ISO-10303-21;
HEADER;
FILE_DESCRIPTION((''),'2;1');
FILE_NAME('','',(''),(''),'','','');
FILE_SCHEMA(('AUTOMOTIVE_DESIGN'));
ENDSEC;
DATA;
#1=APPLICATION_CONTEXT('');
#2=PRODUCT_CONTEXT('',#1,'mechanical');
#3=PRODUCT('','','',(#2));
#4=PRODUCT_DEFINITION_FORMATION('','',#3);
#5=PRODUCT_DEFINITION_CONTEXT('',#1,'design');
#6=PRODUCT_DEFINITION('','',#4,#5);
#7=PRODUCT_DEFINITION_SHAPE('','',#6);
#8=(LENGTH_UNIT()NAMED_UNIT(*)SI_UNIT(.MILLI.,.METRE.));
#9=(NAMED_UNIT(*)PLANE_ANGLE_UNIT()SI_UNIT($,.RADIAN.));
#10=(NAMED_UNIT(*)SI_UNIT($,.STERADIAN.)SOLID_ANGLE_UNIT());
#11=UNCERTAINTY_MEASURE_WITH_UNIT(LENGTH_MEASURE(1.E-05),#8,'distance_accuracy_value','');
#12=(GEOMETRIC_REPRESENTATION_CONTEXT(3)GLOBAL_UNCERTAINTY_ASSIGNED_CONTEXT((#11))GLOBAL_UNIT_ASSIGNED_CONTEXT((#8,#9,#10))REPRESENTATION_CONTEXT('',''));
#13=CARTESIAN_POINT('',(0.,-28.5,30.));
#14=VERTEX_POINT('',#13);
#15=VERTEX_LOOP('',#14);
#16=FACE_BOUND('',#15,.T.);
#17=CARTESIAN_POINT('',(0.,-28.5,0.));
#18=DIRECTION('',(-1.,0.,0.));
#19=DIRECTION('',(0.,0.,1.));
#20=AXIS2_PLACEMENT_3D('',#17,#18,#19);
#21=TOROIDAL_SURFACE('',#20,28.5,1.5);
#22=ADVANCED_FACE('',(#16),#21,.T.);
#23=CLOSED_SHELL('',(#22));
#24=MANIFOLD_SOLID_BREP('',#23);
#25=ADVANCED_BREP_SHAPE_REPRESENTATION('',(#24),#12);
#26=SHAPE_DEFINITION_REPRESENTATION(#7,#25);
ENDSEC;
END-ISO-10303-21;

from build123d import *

# Parameters (mm, degrees)
SKETCH1_R = 1.5


with BuildPart() as part:
    # Sketch1 → Revolve1 (revolve)
    with BuildSketch(Plane.XY, mode=Mode.PRIVATE) as revolve1_sk:
        Circle(SKETCH1_R)
    revolve(revolve1_sk.sketch.rotate(Axis((-2.665122588, -28.5, 0), (1, 0, 0)), 90), axis=Axis((-2.665122588, -28.5, 0), (1, 0, 0)))


solid = part.part
